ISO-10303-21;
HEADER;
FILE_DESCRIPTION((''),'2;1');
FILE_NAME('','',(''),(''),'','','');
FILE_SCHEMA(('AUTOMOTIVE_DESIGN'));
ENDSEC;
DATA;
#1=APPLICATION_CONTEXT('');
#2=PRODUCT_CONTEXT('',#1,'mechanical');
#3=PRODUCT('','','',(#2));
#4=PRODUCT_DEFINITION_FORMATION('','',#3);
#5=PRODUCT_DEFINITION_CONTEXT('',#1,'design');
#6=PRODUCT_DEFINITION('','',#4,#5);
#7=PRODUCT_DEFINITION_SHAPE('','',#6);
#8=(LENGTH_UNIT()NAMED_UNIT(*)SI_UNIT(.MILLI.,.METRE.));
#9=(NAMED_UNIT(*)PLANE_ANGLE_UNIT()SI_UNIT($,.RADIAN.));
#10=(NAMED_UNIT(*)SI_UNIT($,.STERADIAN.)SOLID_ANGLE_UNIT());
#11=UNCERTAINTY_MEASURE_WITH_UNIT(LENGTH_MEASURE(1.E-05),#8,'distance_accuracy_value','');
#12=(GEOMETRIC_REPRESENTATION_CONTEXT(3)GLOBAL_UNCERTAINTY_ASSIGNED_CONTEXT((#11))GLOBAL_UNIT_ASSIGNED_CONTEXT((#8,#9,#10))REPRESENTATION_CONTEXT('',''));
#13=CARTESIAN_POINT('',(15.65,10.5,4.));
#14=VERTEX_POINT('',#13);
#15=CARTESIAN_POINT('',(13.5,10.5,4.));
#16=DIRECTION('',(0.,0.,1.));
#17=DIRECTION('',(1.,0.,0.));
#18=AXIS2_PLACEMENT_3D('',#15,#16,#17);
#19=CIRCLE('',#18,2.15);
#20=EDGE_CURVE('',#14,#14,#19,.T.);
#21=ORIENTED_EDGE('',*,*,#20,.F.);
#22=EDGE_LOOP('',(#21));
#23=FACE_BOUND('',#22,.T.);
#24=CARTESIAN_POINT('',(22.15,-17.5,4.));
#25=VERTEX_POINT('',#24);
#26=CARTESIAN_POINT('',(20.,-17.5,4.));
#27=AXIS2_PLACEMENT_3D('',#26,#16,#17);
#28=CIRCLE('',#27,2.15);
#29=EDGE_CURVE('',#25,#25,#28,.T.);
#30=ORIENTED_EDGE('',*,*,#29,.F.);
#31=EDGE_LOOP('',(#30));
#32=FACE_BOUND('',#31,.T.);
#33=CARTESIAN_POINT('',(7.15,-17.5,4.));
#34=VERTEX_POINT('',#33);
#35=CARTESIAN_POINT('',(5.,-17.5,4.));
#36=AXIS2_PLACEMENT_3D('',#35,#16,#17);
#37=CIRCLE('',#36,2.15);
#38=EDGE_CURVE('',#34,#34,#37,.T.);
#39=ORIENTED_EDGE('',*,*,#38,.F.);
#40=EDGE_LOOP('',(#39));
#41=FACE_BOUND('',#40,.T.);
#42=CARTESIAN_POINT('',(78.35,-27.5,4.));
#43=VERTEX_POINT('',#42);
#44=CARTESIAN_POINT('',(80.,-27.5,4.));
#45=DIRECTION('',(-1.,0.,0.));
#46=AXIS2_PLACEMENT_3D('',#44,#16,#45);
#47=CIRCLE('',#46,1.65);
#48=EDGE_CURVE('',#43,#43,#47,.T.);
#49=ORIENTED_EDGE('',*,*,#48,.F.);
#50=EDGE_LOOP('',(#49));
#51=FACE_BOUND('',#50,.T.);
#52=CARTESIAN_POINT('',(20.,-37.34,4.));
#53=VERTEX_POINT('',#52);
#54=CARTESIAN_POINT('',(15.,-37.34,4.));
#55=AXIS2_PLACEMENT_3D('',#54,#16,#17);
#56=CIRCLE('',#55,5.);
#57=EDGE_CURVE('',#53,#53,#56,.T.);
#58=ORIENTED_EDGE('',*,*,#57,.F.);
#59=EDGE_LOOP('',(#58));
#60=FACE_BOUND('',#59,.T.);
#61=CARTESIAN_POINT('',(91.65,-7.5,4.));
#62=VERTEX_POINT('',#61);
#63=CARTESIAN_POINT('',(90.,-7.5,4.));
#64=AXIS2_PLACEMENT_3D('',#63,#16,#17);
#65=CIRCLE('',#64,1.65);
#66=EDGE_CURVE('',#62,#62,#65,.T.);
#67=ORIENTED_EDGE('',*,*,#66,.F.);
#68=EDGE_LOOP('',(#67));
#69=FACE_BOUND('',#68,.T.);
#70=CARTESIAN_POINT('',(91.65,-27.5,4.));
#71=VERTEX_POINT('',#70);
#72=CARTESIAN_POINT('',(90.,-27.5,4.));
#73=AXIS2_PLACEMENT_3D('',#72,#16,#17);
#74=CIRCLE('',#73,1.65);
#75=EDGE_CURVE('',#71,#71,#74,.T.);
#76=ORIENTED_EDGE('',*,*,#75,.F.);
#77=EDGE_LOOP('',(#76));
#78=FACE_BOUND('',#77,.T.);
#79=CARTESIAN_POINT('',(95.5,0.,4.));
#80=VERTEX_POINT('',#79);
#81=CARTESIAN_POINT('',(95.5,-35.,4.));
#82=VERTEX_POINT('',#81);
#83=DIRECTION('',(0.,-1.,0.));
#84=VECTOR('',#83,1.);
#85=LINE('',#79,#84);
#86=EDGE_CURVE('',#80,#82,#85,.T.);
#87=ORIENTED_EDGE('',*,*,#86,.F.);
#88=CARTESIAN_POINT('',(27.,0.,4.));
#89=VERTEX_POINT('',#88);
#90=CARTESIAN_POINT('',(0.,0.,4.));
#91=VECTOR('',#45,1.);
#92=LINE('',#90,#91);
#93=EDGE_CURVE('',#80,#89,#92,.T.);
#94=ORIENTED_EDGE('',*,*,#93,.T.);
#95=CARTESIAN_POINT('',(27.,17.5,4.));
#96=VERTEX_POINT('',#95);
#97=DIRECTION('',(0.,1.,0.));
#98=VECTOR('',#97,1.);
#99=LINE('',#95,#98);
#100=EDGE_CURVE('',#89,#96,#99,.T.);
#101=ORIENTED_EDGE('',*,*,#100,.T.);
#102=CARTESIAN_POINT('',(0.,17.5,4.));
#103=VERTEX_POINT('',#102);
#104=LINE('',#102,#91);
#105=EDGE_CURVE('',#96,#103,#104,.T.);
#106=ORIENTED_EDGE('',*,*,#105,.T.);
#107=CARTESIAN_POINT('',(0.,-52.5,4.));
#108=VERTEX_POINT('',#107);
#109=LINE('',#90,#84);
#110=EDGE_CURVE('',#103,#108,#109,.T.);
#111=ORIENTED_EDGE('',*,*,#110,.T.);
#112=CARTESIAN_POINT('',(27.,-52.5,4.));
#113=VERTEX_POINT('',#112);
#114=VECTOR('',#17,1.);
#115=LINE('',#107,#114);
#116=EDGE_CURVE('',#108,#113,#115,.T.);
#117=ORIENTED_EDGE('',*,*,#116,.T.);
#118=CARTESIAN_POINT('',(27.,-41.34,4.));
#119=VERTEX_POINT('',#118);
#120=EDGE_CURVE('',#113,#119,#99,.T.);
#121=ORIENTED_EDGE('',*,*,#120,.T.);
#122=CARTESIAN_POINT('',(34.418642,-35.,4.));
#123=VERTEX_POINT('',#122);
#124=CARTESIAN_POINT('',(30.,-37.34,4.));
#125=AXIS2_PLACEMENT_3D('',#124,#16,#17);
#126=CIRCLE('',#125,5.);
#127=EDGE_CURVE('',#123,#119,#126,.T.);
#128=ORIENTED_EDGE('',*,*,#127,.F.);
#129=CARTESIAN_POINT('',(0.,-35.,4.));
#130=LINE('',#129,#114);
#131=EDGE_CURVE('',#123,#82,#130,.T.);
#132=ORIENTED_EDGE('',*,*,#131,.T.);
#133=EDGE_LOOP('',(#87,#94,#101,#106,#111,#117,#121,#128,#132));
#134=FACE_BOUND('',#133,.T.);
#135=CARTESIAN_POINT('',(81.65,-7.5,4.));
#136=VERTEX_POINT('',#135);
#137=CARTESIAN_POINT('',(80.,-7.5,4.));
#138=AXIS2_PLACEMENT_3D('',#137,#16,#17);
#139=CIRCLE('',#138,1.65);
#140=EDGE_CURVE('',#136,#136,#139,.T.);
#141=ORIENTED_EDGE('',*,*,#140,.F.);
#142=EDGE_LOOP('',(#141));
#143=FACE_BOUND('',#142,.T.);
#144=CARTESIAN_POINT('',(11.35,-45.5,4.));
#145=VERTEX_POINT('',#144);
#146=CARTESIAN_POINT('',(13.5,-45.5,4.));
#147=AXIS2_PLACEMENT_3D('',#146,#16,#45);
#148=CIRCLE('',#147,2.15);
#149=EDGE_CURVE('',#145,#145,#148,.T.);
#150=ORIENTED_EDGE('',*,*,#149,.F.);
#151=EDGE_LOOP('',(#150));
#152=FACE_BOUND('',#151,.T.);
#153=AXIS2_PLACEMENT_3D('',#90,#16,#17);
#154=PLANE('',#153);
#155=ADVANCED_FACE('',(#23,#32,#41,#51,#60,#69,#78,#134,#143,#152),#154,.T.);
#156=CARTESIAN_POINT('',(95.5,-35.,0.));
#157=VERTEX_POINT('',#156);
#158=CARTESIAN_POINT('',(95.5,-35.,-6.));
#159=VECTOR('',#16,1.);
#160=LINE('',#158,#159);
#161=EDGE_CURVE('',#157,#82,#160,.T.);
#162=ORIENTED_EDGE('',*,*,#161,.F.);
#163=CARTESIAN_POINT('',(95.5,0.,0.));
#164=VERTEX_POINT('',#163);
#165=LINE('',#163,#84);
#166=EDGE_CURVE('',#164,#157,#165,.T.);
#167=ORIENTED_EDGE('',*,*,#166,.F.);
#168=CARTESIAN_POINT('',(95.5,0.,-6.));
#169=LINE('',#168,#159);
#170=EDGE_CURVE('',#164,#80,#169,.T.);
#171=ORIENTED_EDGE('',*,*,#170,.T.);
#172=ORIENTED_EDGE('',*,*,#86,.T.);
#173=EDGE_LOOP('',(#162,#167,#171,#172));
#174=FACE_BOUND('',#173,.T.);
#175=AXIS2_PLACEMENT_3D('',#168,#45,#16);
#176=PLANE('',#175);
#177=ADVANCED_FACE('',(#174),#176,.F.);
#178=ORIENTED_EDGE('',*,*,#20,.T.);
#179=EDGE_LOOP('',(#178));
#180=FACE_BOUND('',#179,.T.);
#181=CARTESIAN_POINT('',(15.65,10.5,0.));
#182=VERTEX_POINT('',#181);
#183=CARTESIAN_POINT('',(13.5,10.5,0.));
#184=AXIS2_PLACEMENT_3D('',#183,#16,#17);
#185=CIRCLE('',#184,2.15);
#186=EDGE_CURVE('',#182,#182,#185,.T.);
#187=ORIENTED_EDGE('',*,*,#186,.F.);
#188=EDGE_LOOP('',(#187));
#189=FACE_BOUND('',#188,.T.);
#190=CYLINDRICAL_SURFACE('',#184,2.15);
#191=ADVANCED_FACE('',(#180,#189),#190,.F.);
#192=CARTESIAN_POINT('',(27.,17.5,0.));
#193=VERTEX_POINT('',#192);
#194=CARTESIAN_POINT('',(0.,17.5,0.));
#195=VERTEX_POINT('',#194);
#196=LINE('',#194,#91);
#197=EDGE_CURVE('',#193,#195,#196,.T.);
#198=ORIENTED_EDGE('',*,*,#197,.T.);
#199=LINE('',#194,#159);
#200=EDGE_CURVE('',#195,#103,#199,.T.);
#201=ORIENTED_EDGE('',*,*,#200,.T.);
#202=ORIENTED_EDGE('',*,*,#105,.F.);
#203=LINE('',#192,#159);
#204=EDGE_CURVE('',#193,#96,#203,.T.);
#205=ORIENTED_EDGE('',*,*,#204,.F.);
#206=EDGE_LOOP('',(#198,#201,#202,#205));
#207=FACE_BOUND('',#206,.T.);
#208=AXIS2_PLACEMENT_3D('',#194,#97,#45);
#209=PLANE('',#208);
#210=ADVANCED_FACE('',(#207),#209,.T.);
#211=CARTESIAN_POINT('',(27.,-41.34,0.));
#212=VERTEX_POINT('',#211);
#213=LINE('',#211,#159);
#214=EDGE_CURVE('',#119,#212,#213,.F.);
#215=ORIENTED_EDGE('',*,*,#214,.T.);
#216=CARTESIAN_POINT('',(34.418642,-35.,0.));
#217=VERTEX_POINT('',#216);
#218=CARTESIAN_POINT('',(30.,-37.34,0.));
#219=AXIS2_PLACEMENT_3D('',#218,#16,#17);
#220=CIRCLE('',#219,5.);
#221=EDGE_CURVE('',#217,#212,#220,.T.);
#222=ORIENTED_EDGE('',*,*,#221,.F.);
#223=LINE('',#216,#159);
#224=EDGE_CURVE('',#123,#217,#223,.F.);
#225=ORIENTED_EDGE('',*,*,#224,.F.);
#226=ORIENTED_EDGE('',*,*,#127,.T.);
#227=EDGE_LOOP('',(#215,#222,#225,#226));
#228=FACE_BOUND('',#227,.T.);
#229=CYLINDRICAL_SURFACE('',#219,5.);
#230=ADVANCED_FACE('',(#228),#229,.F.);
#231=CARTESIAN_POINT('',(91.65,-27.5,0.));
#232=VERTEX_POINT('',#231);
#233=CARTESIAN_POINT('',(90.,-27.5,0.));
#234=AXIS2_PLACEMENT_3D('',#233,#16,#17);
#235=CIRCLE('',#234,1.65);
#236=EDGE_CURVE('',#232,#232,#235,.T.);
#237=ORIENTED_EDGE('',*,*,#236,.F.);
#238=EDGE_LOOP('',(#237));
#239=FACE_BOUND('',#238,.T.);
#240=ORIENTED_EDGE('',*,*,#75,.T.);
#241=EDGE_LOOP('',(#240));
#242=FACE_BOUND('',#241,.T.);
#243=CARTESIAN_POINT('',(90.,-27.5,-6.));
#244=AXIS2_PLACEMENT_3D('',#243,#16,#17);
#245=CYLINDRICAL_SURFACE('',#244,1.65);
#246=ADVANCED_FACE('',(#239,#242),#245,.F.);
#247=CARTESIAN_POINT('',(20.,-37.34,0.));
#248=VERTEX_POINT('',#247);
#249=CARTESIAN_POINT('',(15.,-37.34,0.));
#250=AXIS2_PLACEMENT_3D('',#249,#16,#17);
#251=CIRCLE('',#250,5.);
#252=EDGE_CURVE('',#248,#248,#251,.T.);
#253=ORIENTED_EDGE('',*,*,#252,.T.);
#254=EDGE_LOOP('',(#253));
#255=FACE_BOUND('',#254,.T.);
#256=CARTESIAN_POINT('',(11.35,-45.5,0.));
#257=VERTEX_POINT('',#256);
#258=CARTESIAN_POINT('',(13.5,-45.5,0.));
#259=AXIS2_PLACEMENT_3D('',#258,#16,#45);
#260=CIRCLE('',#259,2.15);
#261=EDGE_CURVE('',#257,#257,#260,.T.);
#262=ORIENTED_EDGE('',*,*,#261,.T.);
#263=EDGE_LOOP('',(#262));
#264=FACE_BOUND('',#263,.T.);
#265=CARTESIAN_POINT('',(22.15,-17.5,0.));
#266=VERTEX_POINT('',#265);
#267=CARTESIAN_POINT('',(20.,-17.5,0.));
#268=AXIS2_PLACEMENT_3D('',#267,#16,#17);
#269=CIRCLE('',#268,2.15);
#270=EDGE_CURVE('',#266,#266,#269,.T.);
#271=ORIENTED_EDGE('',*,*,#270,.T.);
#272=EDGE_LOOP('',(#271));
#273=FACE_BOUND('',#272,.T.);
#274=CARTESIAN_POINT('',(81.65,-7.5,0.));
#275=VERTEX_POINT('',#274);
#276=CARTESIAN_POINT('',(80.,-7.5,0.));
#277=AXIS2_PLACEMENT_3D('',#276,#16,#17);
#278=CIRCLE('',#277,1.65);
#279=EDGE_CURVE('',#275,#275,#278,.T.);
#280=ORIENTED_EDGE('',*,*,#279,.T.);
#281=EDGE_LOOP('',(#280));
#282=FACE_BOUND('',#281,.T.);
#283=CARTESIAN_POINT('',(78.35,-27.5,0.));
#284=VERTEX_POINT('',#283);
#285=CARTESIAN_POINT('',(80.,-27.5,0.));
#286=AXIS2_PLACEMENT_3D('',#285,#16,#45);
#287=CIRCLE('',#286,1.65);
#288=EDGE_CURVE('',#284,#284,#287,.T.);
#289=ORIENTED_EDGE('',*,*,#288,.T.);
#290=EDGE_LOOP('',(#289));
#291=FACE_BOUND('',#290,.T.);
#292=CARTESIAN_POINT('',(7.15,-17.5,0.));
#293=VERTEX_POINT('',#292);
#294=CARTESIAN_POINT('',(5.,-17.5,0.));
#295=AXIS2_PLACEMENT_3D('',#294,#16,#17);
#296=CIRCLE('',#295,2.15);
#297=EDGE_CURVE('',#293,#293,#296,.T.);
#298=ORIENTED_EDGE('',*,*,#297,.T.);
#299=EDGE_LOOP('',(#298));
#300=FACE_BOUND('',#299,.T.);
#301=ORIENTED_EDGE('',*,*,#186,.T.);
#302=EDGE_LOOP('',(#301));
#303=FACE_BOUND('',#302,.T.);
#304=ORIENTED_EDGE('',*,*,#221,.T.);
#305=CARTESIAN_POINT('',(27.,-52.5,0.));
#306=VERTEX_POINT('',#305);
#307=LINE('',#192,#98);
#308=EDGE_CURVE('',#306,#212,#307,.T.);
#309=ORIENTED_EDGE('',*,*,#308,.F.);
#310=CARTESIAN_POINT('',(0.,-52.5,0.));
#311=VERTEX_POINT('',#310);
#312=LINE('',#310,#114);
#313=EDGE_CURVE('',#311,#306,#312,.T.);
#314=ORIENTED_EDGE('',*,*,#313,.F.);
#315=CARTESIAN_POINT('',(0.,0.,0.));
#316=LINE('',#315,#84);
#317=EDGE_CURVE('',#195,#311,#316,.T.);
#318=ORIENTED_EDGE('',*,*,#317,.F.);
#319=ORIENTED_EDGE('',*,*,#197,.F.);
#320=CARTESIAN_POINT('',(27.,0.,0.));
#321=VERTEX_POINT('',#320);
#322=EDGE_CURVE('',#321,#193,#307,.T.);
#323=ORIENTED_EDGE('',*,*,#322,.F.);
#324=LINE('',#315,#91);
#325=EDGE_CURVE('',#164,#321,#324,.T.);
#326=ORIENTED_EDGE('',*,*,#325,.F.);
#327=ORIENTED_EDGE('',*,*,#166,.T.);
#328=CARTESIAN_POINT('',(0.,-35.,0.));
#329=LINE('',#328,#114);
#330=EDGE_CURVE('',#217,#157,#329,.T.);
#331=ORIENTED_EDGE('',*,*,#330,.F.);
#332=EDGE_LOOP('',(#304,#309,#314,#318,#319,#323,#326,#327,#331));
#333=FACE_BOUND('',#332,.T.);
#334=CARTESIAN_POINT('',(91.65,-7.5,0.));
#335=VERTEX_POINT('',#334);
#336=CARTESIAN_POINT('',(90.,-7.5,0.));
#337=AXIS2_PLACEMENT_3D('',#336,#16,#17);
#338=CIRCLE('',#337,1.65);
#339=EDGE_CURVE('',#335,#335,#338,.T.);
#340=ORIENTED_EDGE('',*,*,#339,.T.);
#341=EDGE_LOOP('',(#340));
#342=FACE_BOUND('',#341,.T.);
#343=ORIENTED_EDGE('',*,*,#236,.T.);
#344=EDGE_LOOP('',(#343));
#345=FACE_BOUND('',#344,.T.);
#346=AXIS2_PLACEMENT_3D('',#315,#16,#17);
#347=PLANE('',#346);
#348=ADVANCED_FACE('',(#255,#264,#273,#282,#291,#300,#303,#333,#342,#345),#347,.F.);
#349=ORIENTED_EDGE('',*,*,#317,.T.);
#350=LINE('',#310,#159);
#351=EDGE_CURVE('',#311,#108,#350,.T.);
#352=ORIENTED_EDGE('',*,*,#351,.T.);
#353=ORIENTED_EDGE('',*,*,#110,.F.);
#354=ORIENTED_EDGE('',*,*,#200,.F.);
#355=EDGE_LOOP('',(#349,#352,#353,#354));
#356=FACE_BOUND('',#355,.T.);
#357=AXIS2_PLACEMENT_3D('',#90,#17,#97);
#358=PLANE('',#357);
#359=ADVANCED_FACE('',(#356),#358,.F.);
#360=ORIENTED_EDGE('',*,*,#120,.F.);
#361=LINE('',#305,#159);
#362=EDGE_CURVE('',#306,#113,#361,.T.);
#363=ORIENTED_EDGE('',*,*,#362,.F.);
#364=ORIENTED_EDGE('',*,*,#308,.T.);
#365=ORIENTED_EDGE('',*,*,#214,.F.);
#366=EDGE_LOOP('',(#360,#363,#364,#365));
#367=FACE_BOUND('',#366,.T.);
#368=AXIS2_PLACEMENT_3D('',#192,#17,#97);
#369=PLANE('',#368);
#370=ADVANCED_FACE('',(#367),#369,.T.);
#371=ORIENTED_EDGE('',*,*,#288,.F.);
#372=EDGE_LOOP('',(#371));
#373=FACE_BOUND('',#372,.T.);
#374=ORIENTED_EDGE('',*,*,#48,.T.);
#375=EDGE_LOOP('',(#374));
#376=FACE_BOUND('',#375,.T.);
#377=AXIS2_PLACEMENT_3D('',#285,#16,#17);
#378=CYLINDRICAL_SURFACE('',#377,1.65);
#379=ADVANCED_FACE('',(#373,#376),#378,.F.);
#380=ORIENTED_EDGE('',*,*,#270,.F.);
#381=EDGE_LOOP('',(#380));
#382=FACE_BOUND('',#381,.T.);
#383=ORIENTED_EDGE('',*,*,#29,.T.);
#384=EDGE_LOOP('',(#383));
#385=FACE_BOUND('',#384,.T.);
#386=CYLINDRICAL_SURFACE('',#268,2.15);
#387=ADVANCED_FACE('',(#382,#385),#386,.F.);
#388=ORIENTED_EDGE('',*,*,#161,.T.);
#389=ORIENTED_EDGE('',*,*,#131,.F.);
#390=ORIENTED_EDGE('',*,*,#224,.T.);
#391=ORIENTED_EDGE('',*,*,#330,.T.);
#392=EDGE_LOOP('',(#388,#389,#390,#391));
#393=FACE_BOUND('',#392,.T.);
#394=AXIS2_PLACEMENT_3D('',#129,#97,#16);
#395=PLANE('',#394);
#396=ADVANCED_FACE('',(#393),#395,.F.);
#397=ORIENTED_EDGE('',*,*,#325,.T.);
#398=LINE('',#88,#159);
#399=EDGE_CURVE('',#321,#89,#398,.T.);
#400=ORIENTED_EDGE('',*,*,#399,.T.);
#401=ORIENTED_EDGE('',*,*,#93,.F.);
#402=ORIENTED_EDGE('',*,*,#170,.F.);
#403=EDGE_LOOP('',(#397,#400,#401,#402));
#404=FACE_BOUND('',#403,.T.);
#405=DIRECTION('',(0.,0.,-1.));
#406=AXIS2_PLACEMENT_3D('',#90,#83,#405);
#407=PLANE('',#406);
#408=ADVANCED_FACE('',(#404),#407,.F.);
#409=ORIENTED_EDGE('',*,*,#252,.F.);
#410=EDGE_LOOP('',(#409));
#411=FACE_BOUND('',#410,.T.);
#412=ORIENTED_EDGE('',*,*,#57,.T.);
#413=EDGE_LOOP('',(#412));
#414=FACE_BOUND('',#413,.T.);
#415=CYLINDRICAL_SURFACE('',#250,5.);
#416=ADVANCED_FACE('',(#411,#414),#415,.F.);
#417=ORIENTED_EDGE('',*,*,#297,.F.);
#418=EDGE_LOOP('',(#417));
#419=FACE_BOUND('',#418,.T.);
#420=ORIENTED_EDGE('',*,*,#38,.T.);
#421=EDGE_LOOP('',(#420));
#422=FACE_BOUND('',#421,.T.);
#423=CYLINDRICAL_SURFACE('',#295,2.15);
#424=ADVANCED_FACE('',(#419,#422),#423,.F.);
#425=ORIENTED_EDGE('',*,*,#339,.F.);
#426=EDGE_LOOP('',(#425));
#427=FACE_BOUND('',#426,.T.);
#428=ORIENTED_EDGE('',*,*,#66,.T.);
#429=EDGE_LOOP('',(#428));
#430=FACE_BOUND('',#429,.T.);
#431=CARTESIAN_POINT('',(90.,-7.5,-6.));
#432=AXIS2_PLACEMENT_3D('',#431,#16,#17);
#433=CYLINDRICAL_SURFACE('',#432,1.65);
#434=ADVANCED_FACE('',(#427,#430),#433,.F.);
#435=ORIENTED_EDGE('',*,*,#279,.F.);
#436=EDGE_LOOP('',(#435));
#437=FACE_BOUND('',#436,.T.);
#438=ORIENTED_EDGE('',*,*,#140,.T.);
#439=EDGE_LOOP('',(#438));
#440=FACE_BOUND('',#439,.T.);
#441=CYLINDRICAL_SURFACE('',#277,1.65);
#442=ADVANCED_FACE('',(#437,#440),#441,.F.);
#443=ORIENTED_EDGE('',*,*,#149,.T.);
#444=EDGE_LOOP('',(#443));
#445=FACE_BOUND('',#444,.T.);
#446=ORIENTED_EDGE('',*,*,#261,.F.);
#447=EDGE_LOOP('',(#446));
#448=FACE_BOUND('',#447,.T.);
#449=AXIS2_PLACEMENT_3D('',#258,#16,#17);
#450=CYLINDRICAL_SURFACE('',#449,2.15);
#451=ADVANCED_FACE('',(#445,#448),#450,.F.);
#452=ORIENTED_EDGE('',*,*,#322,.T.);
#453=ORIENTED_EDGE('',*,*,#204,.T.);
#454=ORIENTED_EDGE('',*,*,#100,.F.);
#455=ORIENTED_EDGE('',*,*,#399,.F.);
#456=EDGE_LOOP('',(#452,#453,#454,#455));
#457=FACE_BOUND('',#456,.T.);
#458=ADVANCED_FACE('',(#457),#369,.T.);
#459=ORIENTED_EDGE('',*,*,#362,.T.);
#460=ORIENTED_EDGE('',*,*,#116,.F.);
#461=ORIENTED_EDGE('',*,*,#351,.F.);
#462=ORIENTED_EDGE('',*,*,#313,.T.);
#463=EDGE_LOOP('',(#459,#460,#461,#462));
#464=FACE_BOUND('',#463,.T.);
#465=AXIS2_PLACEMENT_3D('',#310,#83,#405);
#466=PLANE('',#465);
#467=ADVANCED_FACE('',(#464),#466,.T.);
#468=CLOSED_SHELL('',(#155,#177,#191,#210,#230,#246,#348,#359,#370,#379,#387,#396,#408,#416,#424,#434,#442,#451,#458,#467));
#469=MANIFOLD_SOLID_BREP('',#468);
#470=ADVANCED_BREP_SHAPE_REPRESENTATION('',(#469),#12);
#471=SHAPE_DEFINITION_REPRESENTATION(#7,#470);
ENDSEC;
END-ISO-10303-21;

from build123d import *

# Parameters (mm, degrees)
SKETCH_1_W          = 100
SKETCH_1_H          = 35
EXTRUDE_1_DEPTH     = 4
SKETCH_2_R          = 1.65
CUT_EXTRUDE_1_DEPTH = 107.023582282
SKETCH_4_R          = 2.15
CUT_EXTRUDE_3_DEPTH = 107.023582282
SKETCH_8_W          = 27
SKETCH_8_H          = 70
SKETCH_8_R          = 2.15
EXTRUDE_2_DEPTH     = 4
SKETCH_9_R          = 5
CUT_EXTRUDE_6_DEPTH = 4
SKETCH_10_R         = 1.65
CUT_EXTRUDE_7_DEPTH = 10
SKETCH_11_W         = 4.5
SKETCH_11_H         = 35
CUT_EXTRUDE_8_DEPTH = 10


with BuildPart() as part:
    # 草图1 → 凸台-拉伸1 (new body)
    with BuildSketch(Plane.XY):
        with Locations((50, -17.5)):
            Rectangle(SKETCH_1_W, SKETCH_1_H)
    extrude(amount=EXTRUDE_1_DEPTH)

    # 草图2 → 切除-拉伸1 (cut, through all)
    with BuildSketch(Plane.XY.offset(4)):
        with Locations((80, -7.5)):
            Circle(SKETCH_2_R)
        with Locations(Location((80, -27.5, 0), (0, 0, 180))):
            Circle(SKETCH_2_R)
    extrude(amount=-CUT_EXTRUDE_1_DEPTH, mode=Mode.SUBTRACT)

    # 草图4 → 切除-拉伸3 (cut, through all)
    with BuildSketch(Plane.XY.offset(4)):
        with Locations((5, -17.5)):
            Circle(SKETCH_4_R)
        with Locations((20, -17.5)):
            Circle(SKETCH_4_R)
    extrude(amount=-CUT_EXTRUDE_3_DEPTH, mode=Mode.SUBTRACT)

    # 草图8 → 凸台-拉伸2 (add)
    with BuildSketch(Plane.XY.offset(4)):
        with Locations((13.5, -17.5)):
            Rectangle(SKETCH_8_W, SKETCH_8_H)
        with Locations((13.5, 10.5)):
            Circle(SKETCH_8_R, mode=Mode.SUBTRACT)
        with Locations(Location((13.5, -45.5, 0), (0, 0, 180))):
            Circle(SKETCH_8_R, mode=Mode.SUBTRACT)
        with Locations((5, -17.5)):
            Circle(SKETCH_8_R, mode=Mode.SUBTRACT)
        with Locations((20, -17.5)):
            Circle(SKETCH_8_R, mode=Mode.SUBTRACT)
    extrude(amount=-EXTRUDE_2_DEPTH)

    # 草图9 → 切除-拉伸6 (cut)
    with BuildSketch(Plane.XY.offset(4)):
        with Locations((30, -37.34)):
            Circle(SKETCH_9_R)
        with Locations((15, -37.34)):
            Circle(SKETCH_9_R)
    extrude(amount=-CUT_EXTRUDE_6_DEPTH, mode=Mode.SUBTRACT)

    # 草图10 → 切除-拉伸7 (cut)
    with BuildSketch(Plane.XY.offset(4)):
        with Locations((90, -7.5)):
            Circle(SKETCH_10_R)
        with Locations((90, -27.5)):
            Circle(SKETCH_10_R)
    extrude(amount=-CUT_EXTRUDE_7_DEPTH, mode=Mode.SUBTRACT)

    # 草图11 → 切除-拉伸8 (cut)
    with BuildSketch(Plane.XY.offset(4)):
        with Locations((97.75, -17.5)):
            Rectangle(SKETCH_11_W, SKETCH_11_H)
    extrude(amount=-CUT_EXTRUDE_8_DEPTH, mode=Mode.SUBTRACT)


solid = part.part
